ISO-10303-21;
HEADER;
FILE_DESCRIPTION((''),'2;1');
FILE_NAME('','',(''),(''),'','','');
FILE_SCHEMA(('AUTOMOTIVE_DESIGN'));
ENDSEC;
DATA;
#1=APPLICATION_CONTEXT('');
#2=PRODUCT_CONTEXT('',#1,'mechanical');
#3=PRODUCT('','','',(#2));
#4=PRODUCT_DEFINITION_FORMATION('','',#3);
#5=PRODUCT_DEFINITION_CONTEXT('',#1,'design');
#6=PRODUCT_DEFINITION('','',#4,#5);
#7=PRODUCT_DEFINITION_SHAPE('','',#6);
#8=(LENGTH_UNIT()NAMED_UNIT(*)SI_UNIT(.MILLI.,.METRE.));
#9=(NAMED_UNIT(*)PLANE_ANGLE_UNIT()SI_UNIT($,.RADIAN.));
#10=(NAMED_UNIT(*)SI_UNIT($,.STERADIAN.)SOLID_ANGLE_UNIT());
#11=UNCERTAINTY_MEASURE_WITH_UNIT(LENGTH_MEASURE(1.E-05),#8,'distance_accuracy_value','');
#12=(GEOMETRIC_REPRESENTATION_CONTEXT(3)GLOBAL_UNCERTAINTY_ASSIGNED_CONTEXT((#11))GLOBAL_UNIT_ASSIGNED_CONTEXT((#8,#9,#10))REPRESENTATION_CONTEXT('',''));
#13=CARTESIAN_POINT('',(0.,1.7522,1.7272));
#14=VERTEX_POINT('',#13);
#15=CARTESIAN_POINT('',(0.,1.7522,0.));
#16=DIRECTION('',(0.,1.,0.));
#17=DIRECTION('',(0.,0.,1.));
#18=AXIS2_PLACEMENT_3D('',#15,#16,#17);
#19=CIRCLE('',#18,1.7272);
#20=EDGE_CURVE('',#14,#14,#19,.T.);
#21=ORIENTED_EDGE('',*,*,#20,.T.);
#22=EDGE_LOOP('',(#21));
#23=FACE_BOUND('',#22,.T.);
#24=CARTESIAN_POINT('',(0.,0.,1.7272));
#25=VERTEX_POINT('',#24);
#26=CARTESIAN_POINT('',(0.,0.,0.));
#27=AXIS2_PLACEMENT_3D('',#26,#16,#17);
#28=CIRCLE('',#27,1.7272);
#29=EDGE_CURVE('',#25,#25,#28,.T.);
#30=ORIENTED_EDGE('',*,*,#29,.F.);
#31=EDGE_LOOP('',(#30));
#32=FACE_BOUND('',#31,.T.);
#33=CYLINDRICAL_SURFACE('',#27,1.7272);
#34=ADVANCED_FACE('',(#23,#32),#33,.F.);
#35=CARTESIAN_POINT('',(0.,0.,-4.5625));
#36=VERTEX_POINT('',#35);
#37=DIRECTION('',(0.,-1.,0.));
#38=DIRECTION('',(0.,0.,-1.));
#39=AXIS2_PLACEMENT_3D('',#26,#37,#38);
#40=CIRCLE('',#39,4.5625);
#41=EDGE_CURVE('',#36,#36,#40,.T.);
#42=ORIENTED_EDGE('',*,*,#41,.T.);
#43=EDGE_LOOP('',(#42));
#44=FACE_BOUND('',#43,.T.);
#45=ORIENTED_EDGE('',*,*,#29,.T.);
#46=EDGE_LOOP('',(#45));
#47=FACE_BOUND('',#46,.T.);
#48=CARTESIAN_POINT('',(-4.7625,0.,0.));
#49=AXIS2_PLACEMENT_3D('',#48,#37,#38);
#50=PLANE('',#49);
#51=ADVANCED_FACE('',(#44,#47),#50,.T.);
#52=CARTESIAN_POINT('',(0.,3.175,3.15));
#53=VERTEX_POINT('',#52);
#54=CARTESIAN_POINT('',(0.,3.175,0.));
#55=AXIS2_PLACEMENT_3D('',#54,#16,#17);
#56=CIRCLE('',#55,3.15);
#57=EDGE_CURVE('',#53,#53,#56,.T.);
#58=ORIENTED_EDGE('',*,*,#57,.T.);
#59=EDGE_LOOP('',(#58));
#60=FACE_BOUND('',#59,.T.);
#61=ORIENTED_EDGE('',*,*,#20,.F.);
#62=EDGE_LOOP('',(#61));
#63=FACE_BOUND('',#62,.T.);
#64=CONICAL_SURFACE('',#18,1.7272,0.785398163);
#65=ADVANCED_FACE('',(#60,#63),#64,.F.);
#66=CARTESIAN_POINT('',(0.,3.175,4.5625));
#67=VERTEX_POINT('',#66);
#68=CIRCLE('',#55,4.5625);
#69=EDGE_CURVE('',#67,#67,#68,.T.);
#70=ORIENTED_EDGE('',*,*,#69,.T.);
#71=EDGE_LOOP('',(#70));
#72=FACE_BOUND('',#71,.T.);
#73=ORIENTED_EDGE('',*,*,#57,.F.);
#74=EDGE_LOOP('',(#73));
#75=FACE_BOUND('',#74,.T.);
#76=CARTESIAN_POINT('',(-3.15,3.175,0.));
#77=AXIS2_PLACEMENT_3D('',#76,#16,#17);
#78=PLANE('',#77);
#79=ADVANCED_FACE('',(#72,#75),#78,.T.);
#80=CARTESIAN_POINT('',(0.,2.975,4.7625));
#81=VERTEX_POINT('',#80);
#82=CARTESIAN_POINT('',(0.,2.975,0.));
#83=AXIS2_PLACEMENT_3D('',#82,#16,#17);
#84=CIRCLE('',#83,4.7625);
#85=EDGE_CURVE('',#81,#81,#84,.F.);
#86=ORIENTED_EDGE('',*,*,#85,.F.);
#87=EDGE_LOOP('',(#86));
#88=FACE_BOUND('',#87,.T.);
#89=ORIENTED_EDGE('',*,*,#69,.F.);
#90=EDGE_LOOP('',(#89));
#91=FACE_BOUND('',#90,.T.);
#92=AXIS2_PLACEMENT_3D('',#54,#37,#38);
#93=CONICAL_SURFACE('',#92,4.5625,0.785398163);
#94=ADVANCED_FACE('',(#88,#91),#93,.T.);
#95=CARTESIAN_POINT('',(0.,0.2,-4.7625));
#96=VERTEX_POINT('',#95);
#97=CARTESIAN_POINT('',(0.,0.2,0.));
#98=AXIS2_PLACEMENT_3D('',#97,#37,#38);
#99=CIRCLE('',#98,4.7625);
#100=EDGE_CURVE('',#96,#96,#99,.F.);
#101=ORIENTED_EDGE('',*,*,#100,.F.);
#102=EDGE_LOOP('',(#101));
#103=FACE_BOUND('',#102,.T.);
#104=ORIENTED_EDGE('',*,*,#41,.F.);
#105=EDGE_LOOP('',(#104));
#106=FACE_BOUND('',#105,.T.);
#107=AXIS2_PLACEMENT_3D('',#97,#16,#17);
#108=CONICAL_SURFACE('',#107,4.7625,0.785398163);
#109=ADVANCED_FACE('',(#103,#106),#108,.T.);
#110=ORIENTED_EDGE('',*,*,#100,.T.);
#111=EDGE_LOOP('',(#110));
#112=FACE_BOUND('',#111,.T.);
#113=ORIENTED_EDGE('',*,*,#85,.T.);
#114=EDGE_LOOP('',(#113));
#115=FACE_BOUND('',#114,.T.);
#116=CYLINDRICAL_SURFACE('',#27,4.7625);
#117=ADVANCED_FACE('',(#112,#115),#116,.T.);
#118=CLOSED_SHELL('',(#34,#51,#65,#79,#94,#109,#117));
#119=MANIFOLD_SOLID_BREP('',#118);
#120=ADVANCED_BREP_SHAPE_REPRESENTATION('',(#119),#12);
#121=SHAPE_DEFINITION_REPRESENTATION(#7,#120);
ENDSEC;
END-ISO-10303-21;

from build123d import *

# Parameters (mm, degrees)
CHAMFER1_SIZE = 0.2


with BuildPart() as part:
    # Sketch1 → Revolve1 (revolve)
    with BuildSketch(Plane.XY, mode=Mode.PRIVATE) as revolve1_sk:
        Polygon((-1.7272, 0), (-1.7272, 1.7522), (-3.15, 3.175), (-4.7625, 3.175), (-4.7625, 0), align=None)
    revolve(revolve1_sk.sketch.rotate(Axis((0, 0, 0), (0, -1, 0)), 270), axis=Axis((0, 0, 0), (0, -1, 0)))

    # Chamfer1
    chamfer1_edges = [part.edges().sort_by_distance(p)[0] for p in [
        (0, 0, -4.7625),
        (0, 3.175, -4.7625),
    ]]
    chamfer(chamfer1_edges, length=CHAMFER1_SIZE)


solid = part.part
